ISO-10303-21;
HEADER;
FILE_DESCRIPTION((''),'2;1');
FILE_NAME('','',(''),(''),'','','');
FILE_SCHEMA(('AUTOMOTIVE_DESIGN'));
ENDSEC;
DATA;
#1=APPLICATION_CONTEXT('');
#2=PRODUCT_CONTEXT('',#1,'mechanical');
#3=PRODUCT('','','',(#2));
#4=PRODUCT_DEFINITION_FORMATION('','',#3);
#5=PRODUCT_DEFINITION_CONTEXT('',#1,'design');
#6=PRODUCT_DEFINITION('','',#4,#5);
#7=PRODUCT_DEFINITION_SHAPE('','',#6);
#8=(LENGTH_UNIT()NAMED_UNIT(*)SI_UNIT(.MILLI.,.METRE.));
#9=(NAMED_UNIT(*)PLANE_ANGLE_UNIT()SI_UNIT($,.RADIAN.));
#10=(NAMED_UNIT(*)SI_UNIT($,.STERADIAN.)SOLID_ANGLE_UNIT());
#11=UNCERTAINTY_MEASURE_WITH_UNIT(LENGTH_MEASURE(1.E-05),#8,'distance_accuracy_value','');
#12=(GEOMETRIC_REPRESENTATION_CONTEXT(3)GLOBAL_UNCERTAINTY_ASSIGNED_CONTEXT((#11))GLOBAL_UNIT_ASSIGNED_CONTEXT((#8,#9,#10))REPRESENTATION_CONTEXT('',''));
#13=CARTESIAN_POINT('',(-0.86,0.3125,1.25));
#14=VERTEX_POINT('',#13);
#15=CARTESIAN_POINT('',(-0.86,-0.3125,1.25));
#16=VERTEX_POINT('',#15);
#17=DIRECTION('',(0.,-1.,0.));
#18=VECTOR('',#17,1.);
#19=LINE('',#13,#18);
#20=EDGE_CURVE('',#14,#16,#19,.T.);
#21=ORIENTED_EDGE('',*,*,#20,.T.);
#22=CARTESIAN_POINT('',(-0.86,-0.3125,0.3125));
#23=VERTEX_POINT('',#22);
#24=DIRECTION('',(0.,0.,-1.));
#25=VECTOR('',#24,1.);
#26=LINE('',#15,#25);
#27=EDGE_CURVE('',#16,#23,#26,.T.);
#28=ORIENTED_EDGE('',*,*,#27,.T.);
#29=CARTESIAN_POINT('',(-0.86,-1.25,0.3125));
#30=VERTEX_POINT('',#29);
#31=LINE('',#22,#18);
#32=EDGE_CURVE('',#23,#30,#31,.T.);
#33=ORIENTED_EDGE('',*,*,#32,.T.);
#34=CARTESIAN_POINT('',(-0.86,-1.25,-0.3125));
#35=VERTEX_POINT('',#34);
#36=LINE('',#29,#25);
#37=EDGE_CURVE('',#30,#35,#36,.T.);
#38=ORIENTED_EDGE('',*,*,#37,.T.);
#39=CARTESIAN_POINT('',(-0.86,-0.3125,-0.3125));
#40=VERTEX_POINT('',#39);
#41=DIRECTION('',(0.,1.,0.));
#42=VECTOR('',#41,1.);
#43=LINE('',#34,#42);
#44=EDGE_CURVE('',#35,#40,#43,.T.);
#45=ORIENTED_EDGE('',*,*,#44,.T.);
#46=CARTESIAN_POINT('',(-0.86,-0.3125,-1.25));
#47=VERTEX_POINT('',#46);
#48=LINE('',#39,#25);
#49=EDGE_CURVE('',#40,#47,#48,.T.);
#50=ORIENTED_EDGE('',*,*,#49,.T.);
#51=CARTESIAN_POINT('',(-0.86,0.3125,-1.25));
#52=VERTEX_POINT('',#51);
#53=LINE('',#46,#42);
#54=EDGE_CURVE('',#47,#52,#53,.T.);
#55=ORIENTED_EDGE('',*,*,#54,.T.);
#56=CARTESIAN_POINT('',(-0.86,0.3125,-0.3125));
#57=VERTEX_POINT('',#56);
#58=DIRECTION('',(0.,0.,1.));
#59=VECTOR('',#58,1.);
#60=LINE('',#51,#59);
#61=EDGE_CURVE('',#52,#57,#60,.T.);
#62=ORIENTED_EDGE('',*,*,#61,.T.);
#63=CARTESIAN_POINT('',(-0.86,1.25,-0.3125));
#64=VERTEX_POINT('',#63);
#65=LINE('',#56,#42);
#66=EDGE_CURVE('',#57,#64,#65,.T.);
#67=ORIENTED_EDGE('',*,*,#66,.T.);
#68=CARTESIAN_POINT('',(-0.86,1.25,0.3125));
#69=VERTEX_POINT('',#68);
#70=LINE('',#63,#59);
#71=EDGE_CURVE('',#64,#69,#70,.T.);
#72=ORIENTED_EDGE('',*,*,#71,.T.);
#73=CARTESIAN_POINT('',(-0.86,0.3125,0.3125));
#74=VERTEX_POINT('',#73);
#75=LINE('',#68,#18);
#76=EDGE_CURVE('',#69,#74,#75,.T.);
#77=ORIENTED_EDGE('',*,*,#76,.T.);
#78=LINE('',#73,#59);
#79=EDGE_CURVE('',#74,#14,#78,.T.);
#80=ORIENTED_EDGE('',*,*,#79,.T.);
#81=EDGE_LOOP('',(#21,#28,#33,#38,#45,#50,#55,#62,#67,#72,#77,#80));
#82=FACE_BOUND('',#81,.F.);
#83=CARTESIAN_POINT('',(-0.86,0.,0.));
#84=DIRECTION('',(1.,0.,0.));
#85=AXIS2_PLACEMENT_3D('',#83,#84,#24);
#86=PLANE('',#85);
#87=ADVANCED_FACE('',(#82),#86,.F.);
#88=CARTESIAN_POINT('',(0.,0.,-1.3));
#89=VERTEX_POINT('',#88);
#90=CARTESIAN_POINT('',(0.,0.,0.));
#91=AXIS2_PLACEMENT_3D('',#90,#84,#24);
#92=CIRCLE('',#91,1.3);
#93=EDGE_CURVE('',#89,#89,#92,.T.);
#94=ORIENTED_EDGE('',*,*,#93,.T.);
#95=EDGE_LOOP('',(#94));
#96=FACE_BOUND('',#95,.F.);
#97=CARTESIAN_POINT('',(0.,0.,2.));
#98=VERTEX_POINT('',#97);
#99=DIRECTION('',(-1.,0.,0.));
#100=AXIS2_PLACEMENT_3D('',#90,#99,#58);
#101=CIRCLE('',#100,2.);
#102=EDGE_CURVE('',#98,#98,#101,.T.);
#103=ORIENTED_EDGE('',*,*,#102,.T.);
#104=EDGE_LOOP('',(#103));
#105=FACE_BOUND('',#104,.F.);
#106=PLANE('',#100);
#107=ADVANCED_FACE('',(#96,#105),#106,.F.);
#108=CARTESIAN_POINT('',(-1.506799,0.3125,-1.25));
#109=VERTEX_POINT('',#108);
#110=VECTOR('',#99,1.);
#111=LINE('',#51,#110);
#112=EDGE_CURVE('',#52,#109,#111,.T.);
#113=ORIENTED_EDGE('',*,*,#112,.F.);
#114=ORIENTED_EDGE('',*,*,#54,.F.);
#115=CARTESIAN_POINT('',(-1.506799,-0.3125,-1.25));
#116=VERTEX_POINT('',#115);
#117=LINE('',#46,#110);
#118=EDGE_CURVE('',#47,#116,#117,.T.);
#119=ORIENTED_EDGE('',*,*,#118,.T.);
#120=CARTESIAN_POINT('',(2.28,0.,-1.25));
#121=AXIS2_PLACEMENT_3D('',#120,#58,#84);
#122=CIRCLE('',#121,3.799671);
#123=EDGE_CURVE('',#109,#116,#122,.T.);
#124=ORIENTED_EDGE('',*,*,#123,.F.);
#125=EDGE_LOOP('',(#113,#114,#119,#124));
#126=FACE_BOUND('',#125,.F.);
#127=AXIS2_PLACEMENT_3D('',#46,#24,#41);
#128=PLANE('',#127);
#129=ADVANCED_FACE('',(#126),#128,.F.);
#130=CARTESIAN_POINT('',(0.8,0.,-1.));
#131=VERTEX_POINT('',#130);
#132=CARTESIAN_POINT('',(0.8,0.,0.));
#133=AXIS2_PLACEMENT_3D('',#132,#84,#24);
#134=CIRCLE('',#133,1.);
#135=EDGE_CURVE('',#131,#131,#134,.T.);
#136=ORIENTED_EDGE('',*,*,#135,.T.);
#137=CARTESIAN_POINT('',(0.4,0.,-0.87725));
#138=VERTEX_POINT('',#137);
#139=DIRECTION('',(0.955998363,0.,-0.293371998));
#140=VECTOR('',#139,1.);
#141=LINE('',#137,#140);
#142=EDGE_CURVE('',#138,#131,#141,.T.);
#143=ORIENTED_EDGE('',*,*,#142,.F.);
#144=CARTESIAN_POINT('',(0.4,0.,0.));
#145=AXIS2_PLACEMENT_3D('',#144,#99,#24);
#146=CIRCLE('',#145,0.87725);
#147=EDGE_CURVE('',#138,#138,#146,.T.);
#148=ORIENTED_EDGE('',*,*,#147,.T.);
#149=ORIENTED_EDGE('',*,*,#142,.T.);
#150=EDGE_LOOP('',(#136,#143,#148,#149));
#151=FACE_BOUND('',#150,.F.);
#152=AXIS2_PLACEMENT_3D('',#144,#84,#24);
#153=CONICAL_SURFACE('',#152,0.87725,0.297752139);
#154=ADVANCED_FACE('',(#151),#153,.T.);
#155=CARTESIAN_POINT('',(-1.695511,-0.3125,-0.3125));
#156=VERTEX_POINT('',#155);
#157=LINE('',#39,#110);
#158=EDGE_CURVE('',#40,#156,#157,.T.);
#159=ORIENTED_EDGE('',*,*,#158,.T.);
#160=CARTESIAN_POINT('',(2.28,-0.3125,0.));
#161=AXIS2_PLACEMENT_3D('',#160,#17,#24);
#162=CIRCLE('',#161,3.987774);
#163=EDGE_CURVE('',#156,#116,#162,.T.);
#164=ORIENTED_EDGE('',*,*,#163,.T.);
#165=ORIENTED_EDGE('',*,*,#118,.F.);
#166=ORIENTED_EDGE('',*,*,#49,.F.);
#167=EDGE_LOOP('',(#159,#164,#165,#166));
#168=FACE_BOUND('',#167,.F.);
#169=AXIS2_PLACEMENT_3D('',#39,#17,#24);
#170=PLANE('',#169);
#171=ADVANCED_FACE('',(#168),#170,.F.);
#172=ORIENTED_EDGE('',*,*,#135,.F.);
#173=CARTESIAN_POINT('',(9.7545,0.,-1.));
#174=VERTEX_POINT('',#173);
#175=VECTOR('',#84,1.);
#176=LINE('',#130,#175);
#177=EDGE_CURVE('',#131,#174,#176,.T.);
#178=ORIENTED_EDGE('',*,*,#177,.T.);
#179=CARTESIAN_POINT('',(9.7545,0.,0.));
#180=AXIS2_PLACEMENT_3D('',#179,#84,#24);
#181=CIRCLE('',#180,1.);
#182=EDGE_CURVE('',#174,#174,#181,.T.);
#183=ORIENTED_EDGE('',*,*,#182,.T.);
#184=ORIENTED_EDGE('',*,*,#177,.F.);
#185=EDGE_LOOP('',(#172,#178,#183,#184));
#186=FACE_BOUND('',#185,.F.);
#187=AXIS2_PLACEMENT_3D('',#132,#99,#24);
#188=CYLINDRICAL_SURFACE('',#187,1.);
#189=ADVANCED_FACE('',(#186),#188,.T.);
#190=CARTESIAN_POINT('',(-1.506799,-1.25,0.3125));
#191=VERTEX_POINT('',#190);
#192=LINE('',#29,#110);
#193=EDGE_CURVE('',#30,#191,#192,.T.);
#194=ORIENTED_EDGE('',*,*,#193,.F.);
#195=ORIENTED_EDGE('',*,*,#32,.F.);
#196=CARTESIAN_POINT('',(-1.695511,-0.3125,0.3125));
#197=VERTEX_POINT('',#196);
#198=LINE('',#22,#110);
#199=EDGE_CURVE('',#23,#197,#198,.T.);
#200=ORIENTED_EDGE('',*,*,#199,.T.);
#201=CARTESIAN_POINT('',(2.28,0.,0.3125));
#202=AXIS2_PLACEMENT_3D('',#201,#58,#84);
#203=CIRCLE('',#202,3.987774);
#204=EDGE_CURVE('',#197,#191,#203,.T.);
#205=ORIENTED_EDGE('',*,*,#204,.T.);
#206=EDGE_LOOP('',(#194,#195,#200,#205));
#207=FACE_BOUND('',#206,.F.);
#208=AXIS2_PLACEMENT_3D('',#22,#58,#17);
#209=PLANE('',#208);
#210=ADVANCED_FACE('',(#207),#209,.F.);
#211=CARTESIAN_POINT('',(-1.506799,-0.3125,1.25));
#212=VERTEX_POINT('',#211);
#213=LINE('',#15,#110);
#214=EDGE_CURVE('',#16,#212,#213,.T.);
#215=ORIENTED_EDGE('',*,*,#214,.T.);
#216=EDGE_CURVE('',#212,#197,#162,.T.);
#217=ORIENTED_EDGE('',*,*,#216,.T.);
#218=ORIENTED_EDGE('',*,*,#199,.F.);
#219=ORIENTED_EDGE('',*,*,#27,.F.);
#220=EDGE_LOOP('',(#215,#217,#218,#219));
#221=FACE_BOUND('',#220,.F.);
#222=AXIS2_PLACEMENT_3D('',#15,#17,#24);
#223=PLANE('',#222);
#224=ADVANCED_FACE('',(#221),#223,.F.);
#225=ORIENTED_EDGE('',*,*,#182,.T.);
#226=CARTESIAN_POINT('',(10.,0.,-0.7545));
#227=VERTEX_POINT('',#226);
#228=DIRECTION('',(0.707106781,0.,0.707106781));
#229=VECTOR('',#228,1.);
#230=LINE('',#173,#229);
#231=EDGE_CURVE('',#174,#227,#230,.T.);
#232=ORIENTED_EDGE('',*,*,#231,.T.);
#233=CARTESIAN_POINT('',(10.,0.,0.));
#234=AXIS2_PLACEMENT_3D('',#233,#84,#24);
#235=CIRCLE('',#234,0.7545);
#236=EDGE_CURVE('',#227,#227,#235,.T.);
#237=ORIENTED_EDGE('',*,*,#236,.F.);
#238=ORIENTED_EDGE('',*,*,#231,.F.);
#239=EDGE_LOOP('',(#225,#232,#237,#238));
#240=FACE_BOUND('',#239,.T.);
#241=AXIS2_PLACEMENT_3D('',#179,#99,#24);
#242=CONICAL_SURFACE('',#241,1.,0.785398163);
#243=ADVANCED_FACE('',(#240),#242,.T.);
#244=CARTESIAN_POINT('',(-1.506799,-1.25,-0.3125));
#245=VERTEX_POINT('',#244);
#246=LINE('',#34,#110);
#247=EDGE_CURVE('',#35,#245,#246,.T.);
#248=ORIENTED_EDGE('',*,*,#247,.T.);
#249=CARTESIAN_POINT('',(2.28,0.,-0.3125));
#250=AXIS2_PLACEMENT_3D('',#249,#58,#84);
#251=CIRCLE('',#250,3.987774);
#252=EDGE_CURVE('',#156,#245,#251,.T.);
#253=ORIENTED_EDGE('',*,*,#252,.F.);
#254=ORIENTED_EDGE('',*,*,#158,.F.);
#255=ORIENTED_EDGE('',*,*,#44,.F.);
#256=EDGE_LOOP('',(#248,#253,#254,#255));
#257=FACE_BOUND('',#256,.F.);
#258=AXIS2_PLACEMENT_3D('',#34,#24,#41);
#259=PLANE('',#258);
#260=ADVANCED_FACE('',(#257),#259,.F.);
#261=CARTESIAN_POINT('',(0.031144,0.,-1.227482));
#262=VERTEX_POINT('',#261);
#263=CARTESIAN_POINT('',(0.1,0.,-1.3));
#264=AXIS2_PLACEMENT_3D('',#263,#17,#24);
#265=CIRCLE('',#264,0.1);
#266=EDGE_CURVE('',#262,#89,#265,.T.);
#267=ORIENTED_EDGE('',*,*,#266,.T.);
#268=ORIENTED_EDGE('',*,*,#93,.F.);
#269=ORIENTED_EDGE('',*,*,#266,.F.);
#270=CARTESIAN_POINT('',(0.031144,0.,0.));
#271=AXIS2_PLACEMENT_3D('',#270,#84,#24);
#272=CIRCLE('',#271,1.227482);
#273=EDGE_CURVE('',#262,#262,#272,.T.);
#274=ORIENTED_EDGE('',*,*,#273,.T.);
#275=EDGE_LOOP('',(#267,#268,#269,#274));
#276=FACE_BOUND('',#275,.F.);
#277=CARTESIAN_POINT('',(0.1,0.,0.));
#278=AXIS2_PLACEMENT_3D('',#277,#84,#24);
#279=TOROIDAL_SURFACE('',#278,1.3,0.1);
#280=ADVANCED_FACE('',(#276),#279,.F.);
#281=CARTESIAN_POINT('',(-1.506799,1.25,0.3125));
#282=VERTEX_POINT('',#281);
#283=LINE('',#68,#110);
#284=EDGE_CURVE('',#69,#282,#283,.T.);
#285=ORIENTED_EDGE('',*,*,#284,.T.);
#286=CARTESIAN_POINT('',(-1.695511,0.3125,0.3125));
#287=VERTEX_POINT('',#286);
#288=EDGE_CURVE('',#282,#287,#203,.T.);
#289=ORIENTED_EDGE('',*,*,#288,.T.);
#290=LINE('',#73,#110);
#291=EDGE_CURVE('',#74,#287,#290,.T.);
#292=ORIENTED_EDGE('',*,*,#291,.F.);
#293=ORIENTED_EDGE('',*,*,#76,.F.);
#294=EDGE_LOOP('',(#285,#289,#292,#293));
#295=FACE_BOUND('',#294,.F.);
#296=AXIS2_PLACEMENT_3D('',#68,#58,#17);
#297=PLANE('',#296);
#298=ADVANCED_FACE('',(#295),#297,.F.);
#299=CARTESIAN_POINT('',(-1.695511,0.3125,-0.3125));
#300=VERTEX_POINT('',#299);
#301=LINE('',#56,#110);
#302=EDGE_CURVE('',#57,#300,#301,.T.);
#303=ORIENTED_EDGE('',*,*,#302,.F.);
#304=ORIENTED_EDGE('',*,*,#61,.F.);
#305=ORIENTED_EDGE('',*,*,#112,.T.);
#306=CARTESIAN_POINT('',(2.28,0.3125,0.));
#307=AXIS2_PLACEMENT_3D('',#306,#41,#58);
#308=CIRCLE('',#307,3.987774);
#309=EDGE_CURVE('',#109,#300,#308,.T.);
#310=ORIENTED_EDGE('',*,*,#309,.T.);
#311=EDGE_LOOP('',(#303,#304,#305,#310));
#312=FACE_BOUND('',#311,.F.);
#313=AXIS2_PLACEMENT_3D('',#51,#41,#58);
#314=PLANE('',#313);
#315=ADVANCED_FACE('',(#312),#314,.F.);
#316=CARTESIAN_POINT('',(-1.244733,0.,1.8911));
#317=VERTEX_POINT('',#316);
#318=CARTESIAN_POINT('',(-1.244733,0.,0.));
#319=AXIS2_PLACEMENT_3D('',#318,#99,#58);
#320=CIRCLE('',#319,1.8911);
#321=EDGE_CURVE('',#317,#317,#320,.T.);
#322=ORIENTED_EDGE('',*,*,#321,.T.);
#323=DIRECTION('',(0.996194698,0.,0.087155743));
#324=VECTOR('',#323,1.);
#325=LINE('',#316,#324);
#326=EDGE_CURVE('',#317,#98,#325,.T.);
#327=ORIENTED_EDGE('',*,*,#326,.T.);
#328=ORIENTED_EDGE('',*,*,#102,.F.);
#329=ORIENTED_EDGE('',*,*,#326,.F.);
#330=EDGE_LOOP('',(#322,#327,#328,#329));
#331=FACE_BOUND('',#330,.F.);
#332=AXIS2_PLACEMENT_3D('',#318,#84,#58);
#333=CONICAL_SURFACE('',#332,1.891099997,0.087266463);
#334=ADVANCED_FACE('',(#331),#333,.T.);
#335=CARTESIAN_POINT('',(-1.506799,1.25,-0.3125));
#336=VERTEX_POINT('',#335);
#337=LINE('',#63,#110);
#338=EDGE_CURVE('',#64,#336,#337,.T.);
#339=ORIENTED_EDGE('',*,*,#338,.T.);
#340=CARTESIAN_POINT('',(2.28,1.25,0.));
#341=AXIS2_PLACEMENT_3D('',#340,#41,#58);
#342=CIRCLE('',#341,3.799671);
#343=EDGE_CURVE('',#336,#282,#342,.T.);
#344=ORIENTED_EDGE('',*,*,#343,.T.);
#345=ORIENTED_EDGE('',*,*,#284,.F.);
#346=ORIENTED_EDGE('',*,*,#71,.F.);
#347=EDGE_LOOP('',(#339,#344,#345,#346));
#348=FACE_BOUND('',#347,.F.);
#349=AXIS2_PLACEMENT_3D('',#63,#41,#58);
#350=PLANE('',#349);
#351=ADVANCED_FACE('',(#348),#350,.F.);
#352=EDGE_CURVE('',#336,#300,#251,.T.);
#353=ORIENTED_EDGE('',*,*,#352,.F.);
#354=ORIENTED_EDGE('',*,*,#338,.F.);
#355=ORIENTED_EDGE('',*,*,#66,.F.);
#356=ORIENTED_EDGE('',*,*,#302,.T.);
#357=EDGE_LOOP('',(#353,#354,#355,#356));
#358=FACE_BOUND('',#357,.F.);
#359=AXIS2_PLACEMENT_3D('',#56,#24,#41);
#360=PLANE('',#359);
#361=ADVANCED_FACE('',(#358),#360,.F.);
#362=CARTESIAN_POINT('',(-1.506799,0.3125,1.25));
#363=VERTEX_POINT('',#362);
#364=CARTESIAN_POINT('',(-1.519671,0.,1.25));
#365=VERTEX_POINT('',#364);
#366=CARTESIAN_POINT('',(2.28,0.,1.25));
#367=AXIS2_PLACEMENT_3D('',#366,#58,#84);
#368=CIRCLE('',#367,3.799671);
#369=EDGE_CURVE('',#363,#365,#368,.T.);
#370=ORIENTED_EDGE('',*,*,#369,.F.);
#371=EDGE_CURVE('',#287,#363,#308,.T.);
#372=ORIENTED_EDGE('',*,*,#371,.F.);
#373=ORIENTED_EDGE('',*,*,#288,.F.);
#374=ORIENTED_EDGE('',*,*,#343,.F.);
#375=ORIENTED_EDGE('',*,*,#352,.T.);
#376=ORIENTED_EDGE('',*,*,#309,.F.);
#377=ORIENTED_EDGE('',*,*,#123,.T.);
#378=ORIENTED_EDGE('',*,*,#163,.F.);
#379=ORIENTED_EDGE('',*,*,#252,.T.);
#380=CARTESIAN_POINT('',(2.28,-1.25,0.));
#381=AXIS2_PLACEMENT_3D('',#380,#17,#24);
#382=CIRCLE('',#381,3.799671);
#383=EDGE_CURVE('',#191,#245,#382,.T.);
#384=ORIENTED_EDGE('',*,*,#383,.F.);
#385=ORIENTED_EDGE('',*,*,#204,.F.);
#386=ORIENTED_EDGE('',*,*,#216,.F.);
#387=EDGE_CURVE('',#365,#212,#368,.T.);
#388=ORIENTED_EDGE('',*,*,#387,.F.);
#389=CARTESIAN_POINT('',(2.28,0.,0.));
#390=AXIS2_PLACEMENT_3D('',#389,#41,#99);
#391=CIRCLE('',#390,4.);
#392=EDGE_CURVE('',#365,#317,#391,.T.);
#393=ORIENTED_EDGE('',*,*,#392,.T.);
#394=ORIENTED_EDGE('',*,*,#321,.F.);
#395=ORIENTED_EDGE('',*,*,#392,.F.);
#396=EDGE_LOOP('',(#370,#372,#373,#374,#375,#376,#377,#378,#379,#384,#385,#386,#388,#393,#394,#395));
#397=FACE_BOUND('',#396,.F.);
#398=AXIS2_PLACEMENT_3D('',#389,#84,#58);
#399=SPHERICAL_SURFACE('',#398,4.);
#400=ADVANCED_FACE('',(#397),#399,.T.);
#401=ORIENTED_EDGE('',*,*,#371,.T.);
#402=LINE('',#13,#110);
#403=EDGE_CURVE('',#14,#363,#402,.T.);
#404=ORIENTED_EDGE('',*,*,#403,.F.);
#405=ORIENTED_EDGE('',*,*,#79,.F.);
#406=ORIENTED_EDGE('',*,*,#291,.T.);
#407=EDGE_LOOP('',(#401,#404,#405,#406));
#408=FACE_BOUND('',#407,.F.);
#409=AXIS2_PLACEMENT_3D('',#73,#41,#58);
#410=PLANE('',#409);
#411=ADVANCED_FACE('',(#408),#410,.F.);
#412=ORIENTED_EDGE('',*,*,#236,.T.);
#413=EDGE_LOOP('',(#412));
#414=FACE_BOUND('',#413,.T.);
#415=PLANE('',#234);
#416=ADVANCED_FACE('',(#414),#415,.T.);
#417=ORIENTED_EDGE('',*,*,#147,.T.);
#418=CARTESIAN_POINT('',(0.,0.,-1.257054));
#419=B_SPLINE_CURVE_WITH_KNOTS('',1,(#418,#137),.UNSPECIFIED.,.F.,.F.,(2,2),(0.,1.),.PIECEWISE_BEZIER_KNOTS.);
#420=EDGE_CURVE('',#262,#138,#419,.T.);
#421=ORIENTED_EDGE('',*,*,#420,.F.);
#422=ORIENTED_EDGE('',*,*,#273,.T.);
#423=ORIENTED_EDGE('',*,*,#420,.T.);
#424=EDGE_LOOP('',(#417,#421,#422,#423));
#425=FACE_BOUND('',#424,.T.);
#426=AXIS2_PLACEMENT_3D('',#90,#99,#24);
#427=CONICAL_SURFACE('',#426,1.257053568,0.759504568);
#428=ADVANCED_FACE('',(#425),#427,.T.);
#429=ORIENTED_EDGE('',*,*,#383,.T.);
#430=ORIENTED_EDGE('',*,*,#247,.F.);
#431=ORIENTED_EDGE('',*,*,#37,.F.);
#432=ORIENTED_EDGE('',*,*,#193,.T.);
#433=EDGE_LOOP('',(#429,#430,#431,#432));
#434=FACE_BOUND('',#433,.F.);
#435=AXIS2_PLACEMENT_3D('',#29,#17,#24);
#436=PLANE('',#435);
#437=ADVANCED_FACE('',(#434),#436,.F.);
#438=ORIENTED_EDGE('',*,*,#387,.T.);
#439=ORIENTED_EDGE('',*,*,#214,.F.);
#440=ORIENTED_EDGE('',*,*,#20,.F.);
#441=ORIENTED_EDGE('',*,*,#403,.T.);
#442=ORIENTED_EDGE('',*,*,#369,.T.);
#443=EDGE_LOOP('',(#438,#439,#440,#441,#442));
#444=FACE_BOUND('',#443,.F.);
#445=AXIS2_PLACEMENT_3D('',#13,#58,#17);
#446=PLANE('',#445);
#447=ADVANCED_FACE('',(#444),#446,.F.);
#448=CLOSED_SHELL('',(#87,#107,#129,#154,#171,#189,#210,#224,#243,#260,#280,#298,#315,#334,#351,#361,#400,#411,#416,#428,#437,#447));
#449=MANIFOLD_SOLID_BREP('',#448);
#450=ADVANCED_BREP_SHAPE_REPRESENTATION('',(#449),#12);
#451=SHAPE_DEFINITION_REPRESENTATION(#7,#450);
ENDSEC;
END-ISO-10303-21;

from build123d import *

# Parameters (mm, degrees)
SKETCH2_R               = 1.257053568
BOSS_EXTRUDE1_DEPTH     = 0.4
BOSS_EXTRUDE1_TAPER     = 43.516406292
SKETCH3_R               = 0.87725
BOSS_EXTRUDE2_DEPTH     = 0.4
BOSS_EXTRUDE2_DRAFT     = -17.059940879
SKETCH4_R               = 1
BOSS_EXTRUDE3_DEPTH     = 9.2
CUT_EXTRUDE1_REACH      = 13.222
CUT_EXTRUDE1_END_RADIUS = 4
CHAMFER1_SIZE           = 0.2455
FILLET1_R               = 0.1


with BuildPart() as part:
    # Sketch1 → Revolve1 (revolve)
    with BuildSketch(Plane(origin=(0, 0, 0), x_dir=(-1, 0, 0), z_dir=(0, 0, -1)), mode=Mode.PRIVATE) as revolve1_sk:
        with BuildLine():
            Line((0, 2), (0, 0))
            Line((0, 0), (1.72, 0))
            ThreePointArc((1.72, 0), (1.599364053, 0.974953612), (1.244732728, 1.891099997))
            Line((1.244732728, 1.891099997), (0, 2))
        make_face()
    revolve(revolve1_sk.sketch.rotate(Axis((0, 0, 0), (-1, 0, 0)), 270), axis=Axis((0, 0, 0), (-1, 0, 0)))

    # Sketch2 → Boss-Extrude1 (add)
    with BuildSketch(Plane(origin=(0, 0, 0), x_dir=(0, 0, -1), z_dir=(1, 0, 0))):
        Circle(SKETCH2_R)
    extrude(amount=BOSS_EXTRUDE1_DEPTH, taper=BOSS_EXTRUDE1_TAPER)


with BuildPart() as boss_extrude2_tool:
    # Sketch3 → Boss-Extrude2 (with draft: the straight prism first)
    with BuildSketch(Plane(origin=(0.4, 0, 0), x_dir=(0, 0, -1), z_dir=(1, 0, 0))):
        Circle(SKETCH3_R)
    extrude(amount=BOSS_EXTRUDE2_DEPTH)
    # Boss-Extrude2: the draft: its side faces are tilted about the plane it starts from
    boss_extrude2_sides = [boss_extrude2_tool.faces().sort_by_distance(p)[0] for p in [
        (0.6, 0, 0.87725),
    ]]
    draft(boss_extrude2_sides, Plane(origin=(0.4, 0, 0), x_dir=(0, 0, -1), z_dir=(1, 0, 0)), BOSS_EXTRUDE2_DRAFT)


with BuildPart() as part_1:
    add(part.part)

    # Boss-Extrude2: add boss_extrude2_tool
    add(boss_extrude2_tool.part)

    # Sketch4 → Boss-Extrude3 (add)
    with BuildSketch(Plane(origin=(0.8, 0, 0), x_dir=(0, 0, -1), z_dir=(1, 0, 0))):
        Circle(SKETCH4_R)
    extrude(amount=BOSS_EXTRUDE3_DEPTH)

    # Cut-Extrude1: up to this sphere (the profile starts inside it)
    cut_extrude1_end = Location((2.28, 0, 0)) * Sphere(CUT_EXTRUDE1_END_RADIUS, mode=Mode.PRIVATE)
    # Sketch5 → Cut-Extrude1 (cut, up to the surface)
    with BuildSketch(Plane(origin=(-0.86, 0, 0), x_dir=(0, 0, -1), z_dir=(1, 0, 0)), mode=Mode.PRIVATE) as cut_extrude1_sk1:
        Polygon((0.3125, 0.3125), (0.3125, 1.25), (-0.3125, 1.25), (-0.3125, 0.3125), (-1.25, 0.3125), (-1.25, -0.3125), (-0.3125, -0.3125), (-0.3125, -1.25), (0.3125, -1.25), (0.3125, -0.3125), (1.25, -0.3125), (1.25, 0.3125), align=None)
    cut_extrude1_tool1 = extrude(cut_extrude1_sk1.sketch, amount=-CUT_EXTRUDE1_REACH, mode=Mode.PRIVATE) & cut_extrude1_end
    add(cut_extrude1_tool1.solids().sort_by_distance((-0.86, 0, 0))[0], mode=Mode.SUBTRACT)

    # Chamfer1
    chamfer1_edges = [part_1.edges().sort_by_distance(p)[0] for p in [
        (10, 0, 1),
    ]]
    chamfer(chamfer1_edges, length=CHAMFER1_SIZE)

    # Fillet1
    fillet1_edges = [part_1.edges().sort_by_distance(p)[0] for p in [
        (0, 0, 1.257053568),
    ]]
    fillet(fillet1_edges, radius=FILLET1_R)


solid = part_1.part
